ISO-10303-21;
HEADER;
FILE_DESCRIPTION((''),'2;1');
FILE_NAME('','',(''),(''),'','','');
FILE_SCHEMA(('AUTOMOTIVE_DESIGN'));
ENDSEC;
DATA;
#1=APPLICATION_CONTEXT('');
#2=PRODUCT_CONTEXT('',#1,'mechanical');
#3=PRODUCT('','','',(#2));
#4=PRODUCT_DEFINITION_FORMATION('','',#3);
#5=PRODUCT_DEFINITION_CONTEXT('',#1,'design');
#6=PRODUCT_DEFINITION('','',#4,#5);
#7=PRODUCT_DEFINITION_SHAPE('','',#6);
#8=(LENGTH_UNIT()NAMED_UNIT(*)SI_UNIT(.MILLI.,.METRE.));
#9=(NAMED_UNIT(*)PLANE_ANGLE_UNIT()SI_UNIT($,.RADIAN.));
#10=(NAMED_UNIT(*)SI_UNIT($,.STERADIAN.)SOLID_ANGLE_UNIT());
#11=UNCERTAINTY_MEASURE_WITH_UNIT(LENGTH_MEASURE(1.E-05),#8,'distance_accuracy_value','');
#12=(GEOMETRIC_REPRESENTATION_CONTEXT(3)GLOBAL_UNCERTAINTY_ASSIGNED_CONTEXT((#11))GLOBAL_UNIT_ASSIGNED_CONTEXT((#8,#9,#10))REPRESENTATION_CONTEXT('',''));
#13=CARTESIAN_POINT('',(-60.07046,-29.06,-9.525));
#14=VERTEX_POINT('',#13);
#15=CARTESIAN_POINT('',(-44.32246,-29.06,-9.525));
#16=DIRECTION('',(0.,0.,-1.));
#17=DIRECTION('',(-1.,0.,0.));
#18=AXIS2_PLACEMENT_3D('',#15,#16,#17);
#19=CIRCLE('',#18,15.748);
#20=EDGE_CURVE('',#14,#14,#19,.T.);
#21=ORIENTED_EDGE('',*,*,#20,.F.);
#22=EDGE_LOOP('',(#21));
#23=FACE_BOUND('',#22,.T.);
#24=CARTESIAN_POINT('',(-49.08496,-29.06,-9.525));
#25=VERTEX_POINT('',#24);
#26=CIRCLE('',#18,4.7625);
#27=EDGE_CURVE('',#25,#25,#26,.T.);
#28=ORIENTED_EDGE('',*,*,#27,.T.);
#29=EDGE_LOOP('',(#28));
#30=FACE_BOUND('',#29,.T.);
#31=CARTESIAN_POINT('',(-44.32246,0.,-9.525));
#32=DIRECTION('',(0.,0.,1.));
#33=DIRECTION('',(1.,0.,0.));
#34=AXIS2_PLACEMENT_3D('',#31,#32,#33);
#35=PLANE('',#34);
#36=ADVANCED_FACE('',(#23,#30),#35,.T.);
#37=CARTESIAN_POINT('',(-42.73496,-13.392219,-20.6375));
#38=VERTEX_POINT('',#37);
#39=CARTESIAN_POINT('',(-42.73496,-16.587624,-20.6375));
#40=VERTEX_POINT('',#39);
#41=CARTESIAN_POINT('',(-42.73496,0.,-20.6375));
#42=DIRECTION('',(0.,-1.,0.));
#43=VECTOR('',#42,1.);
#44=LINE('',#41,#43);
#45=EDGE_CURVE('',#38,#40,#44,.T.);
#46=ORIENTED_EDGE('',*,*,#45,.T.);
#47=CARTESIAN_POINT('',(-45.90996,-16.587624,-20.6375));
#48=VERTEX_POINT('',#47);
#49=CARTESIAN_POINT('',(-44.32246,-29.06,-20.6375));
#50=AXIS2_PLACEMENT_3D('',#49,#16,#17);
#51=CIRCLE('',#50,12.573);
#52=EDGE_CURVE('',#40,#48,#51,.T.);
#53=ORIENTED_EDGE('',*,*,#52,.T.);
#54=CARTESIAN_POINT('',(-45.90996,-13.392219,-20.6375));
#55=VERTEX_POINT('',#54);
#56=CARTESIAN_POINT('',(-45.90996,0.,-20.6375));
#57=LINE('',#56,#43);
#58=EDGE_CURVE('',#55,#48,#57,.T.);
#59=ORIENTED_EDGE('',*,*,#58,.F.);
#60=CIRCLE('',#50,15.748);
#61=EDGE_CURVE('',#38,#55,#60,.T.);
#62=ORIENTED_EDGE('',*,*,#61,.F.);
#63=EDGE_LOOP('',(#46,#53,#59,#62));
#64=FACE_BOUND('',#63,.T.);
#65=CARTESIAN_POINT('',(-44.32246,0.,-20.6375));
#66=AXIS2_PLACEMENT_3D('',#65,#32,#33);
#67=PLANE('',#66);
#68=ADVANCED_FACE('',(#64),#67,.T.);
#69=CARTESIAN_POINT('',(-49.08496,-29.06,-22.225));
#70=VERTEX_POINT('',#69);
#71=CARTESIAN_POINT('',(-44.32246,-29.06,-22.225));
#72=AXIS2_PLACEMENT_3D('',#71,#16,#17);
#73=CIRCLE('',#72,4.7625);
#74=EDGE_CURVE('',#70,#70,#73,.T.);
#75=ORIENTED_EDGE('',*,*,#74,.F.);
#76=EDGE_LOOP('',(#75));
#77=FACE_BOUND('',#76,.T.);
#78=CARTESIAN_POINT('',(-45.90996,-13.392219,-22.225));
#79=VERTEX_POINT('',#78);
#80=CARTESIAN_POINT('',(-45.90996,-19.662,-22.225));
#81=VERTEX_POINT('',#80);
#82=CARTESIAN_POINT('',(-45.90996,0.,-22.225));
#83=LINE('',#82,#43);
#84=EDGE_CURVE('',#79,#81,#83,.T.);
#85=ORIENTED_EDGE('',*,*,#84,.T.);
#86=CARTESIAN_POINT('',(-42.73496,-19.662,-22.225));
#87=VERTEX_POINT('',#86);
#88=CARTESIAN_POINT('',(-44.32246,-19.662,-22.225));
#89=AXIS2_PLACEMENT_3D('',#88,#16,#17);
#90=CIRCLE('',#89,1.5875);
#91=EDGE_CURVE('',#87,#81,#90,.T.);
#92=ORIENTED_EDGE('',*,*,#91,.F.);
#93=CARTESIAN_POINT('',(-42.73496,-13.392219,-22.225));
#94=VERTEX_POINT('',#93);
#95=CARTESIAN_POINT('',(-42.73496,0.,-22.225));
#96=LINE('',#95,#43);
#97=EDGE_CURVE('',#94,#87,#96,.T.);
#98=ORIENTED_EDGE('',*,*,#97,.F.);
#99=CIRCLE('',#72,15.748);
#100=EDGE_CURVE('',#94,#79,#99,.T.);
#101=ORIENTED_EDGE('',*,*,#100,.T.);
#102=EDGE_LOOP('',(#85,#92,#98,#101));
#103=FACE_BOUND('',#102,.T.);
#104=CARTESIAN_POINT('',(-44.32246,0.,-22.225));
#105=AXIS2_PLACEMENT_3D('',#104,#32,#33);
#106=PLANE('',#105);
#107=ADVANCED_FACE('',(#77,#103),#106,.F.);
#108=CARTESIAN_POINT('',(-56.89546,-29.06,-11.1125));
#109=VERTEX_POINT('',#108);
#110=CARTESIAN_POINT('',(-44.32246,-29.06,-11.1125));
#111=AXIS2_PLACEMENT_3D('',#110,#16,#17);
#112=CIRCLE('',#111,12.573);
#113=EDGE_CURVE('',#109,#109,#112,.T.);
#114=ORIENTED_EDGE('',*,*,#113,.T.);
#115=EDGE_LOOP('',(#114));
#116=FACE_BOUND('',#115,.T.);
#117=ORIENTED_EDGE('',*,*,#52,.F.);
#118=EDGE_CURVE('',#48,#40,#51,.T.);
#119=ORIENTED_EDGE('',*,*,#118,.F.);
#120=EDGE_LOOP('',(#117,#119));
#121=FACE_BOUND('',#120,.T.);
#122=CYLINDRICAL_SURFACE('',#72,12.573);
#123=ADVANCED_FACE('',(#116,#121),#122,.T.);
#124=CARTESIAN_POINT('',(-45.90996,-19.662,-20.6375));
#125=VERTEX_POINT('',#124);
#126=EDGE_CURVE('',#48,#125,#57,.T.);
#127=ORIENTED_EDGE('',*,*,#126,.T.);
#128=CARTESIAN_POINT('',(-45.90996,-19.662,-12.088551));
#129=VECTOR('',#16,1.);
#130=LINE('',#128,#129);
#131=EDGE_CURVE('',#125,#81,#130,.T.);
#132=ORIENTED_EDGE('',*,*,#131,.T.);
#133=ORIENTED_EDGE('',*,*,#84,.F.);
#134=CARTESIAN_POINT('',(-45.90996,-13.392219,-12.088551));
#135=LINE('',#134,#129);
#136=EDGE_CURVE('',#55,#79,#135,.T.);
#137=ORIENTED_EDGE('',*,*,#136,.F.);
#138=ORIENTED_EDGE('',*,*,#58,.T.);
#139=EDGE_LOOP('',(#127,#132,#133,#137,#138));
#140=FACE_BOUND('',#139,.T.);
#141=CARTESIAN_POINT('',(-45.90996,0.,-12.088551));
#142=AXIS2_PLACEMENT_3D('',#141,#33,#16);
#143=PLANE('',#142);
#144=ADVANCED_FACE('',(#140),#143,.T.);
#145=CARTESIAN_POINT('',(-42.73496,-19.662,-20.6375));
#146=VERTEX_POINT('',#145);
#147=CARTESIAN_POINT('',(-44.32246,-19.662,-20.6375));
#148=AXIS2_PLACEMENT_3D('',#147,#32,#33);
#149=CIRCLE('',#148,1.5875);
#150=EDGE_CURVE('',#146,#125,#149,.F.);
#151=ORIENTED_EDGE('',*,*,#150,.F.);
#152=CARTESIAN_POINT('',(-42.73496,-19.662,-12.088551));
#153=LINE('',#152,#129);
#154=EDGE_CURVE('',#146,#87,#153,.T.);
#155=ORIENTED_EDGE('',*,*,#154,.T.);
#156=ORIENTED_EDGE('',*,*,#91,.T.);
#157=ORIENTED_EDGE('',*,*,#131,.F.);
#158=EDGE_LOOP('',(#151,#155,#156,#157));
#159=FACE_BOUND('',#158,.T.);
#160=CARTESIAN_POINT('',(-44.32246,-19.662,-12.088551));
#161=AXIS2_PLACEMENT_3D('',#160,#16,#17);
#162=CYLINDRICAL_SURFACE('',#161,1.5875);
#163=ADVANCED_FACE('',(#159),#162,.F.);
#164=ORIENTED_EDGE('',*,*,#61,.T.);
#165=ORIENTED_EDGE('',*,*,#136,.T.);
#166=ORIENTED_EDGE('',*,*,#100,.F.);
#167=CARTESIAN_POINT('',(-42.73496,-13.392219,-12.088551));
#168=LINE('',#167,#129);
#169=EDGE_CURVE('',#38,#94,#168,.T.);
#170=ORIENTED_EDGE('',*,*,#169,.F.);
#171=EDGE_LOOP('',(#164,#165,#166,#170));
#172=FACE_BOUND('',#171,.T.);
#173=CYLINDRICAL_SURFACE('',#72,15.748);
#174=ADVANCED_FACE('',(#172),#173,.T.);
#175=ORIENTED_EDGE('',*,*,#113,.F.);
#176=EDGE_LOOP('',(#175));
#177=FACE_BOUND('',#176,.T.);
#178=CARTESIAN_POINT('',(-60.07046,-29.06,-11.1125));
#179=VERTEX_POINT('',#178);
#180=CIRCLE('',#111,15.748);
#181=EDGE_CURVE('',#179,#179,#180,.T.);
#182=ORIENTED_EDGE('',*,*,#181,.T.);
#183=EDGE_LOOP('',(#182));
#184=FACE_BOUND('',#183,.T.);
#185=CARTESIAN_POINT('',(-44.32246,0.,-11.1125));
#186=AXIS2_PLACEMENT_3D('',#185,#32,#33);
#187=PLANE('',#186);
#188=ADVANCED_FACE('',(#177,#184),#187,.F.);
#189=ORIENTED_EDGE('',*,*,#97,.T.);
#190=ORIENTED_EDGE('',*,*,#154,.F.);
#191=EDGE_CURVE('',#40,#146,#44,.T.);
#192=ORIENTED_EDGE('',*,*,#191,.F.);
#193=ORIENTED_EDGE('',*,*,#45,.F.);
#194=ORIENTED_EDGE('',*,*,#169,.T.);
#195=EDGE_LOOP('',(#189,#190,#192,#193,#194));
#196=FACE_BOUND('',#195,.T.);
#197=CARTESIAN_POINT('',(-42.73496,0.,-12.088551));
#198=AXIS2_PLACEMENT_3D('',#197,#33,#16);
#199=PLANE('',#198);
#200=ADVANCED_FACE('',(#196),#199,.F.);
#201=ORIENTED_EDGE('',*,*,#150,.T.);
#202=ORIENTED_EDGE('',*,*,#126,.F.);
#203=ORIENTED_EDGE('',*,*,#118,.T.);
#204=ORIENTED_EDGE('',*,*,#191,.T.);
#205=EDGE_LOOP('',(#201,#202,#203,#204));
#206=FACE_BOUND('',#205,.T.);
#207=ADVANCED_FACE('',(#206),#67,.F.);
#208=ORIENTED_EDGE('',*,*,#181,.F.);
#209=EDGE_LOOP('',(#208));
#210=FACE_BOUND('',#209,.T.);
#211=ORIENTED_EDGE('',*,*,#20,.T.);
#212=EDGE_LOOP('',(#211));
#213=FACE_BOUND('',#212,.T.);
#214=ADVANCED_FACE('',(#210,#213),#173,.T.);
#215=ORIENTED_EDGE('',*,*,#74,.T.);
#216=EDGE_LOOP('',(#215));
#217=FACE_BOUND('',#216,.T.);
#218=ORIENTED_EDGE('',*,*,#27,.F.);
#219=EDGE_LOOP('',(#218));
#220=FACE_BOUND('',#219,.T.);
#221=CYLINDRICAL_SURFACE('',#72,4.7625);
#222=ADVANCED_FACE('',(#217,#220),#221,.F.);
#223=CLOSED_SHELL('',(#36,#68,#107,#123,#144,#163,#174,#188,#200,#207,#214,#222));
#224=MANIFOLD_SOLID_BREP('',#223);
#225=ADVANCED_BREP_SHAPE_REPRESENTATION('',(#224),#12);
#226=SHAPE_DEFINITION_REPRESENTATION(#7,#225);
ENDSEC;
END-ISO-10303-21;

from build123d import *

# Parameters (mm, degrees)
CUT_EXTRUDE1_DEPTH = 1.5875


with BuildPart() as part:
    # Sketch1 → Revolve1 (revolve)
    with BuildSketch(Plane(origin=(-44.322460282, 0, 0), x_dir=(0, 0, -1), z_dir=(1, 0, 0)), mode=Mode.PRIVATE) as revolve1_sk:
        Polygon((11.1125, -13.31199997), (9.525, -13.31199997), (9.525, -24.29749997), (22.225, -24.29749997), (22.225, -13.31199997), (20.6375, -13.31199997), (20.6375, -16.48699997), (11.1125, -16.48699997), align=None)
    revolve(revolve1_sk.sketch.rotate(Axis((-44.322460282, -29.05999997, -22.225), (0, 0, 1)), 90), axis=Axis((-44.322460282, -29.05999997, -22.225), (0, 0, 1)))

    # Sketch2 → Cut-Extrude1 (cut)
    with BuildSketch(Plane(origin=(0, 0, -22.225), x_dir=(-1, 0, 0), z_dir=(0, 0, -1))):
        with BuildLine():
            Line((45.909960282, -13.31199997), (45.909960282, -19.66199997))
            ThreePointArc((45.909960282, -19.66199997), (44.322460282, -21.24949997), (42.734960282, -19.66199997))
            Line((42.734960282, -19.66199997), (42.734960282, -13.31199997))
            ThreePointArc((42.734960282, -13.31199997), (44.322460282, -11.72449997), (45.909960282, -13.31199997))
        make_face()
    extrude(amount=-CUT_EXTRUDE1_DEPTH, mode=Mode.SUBTRACT)


solid = part.part
